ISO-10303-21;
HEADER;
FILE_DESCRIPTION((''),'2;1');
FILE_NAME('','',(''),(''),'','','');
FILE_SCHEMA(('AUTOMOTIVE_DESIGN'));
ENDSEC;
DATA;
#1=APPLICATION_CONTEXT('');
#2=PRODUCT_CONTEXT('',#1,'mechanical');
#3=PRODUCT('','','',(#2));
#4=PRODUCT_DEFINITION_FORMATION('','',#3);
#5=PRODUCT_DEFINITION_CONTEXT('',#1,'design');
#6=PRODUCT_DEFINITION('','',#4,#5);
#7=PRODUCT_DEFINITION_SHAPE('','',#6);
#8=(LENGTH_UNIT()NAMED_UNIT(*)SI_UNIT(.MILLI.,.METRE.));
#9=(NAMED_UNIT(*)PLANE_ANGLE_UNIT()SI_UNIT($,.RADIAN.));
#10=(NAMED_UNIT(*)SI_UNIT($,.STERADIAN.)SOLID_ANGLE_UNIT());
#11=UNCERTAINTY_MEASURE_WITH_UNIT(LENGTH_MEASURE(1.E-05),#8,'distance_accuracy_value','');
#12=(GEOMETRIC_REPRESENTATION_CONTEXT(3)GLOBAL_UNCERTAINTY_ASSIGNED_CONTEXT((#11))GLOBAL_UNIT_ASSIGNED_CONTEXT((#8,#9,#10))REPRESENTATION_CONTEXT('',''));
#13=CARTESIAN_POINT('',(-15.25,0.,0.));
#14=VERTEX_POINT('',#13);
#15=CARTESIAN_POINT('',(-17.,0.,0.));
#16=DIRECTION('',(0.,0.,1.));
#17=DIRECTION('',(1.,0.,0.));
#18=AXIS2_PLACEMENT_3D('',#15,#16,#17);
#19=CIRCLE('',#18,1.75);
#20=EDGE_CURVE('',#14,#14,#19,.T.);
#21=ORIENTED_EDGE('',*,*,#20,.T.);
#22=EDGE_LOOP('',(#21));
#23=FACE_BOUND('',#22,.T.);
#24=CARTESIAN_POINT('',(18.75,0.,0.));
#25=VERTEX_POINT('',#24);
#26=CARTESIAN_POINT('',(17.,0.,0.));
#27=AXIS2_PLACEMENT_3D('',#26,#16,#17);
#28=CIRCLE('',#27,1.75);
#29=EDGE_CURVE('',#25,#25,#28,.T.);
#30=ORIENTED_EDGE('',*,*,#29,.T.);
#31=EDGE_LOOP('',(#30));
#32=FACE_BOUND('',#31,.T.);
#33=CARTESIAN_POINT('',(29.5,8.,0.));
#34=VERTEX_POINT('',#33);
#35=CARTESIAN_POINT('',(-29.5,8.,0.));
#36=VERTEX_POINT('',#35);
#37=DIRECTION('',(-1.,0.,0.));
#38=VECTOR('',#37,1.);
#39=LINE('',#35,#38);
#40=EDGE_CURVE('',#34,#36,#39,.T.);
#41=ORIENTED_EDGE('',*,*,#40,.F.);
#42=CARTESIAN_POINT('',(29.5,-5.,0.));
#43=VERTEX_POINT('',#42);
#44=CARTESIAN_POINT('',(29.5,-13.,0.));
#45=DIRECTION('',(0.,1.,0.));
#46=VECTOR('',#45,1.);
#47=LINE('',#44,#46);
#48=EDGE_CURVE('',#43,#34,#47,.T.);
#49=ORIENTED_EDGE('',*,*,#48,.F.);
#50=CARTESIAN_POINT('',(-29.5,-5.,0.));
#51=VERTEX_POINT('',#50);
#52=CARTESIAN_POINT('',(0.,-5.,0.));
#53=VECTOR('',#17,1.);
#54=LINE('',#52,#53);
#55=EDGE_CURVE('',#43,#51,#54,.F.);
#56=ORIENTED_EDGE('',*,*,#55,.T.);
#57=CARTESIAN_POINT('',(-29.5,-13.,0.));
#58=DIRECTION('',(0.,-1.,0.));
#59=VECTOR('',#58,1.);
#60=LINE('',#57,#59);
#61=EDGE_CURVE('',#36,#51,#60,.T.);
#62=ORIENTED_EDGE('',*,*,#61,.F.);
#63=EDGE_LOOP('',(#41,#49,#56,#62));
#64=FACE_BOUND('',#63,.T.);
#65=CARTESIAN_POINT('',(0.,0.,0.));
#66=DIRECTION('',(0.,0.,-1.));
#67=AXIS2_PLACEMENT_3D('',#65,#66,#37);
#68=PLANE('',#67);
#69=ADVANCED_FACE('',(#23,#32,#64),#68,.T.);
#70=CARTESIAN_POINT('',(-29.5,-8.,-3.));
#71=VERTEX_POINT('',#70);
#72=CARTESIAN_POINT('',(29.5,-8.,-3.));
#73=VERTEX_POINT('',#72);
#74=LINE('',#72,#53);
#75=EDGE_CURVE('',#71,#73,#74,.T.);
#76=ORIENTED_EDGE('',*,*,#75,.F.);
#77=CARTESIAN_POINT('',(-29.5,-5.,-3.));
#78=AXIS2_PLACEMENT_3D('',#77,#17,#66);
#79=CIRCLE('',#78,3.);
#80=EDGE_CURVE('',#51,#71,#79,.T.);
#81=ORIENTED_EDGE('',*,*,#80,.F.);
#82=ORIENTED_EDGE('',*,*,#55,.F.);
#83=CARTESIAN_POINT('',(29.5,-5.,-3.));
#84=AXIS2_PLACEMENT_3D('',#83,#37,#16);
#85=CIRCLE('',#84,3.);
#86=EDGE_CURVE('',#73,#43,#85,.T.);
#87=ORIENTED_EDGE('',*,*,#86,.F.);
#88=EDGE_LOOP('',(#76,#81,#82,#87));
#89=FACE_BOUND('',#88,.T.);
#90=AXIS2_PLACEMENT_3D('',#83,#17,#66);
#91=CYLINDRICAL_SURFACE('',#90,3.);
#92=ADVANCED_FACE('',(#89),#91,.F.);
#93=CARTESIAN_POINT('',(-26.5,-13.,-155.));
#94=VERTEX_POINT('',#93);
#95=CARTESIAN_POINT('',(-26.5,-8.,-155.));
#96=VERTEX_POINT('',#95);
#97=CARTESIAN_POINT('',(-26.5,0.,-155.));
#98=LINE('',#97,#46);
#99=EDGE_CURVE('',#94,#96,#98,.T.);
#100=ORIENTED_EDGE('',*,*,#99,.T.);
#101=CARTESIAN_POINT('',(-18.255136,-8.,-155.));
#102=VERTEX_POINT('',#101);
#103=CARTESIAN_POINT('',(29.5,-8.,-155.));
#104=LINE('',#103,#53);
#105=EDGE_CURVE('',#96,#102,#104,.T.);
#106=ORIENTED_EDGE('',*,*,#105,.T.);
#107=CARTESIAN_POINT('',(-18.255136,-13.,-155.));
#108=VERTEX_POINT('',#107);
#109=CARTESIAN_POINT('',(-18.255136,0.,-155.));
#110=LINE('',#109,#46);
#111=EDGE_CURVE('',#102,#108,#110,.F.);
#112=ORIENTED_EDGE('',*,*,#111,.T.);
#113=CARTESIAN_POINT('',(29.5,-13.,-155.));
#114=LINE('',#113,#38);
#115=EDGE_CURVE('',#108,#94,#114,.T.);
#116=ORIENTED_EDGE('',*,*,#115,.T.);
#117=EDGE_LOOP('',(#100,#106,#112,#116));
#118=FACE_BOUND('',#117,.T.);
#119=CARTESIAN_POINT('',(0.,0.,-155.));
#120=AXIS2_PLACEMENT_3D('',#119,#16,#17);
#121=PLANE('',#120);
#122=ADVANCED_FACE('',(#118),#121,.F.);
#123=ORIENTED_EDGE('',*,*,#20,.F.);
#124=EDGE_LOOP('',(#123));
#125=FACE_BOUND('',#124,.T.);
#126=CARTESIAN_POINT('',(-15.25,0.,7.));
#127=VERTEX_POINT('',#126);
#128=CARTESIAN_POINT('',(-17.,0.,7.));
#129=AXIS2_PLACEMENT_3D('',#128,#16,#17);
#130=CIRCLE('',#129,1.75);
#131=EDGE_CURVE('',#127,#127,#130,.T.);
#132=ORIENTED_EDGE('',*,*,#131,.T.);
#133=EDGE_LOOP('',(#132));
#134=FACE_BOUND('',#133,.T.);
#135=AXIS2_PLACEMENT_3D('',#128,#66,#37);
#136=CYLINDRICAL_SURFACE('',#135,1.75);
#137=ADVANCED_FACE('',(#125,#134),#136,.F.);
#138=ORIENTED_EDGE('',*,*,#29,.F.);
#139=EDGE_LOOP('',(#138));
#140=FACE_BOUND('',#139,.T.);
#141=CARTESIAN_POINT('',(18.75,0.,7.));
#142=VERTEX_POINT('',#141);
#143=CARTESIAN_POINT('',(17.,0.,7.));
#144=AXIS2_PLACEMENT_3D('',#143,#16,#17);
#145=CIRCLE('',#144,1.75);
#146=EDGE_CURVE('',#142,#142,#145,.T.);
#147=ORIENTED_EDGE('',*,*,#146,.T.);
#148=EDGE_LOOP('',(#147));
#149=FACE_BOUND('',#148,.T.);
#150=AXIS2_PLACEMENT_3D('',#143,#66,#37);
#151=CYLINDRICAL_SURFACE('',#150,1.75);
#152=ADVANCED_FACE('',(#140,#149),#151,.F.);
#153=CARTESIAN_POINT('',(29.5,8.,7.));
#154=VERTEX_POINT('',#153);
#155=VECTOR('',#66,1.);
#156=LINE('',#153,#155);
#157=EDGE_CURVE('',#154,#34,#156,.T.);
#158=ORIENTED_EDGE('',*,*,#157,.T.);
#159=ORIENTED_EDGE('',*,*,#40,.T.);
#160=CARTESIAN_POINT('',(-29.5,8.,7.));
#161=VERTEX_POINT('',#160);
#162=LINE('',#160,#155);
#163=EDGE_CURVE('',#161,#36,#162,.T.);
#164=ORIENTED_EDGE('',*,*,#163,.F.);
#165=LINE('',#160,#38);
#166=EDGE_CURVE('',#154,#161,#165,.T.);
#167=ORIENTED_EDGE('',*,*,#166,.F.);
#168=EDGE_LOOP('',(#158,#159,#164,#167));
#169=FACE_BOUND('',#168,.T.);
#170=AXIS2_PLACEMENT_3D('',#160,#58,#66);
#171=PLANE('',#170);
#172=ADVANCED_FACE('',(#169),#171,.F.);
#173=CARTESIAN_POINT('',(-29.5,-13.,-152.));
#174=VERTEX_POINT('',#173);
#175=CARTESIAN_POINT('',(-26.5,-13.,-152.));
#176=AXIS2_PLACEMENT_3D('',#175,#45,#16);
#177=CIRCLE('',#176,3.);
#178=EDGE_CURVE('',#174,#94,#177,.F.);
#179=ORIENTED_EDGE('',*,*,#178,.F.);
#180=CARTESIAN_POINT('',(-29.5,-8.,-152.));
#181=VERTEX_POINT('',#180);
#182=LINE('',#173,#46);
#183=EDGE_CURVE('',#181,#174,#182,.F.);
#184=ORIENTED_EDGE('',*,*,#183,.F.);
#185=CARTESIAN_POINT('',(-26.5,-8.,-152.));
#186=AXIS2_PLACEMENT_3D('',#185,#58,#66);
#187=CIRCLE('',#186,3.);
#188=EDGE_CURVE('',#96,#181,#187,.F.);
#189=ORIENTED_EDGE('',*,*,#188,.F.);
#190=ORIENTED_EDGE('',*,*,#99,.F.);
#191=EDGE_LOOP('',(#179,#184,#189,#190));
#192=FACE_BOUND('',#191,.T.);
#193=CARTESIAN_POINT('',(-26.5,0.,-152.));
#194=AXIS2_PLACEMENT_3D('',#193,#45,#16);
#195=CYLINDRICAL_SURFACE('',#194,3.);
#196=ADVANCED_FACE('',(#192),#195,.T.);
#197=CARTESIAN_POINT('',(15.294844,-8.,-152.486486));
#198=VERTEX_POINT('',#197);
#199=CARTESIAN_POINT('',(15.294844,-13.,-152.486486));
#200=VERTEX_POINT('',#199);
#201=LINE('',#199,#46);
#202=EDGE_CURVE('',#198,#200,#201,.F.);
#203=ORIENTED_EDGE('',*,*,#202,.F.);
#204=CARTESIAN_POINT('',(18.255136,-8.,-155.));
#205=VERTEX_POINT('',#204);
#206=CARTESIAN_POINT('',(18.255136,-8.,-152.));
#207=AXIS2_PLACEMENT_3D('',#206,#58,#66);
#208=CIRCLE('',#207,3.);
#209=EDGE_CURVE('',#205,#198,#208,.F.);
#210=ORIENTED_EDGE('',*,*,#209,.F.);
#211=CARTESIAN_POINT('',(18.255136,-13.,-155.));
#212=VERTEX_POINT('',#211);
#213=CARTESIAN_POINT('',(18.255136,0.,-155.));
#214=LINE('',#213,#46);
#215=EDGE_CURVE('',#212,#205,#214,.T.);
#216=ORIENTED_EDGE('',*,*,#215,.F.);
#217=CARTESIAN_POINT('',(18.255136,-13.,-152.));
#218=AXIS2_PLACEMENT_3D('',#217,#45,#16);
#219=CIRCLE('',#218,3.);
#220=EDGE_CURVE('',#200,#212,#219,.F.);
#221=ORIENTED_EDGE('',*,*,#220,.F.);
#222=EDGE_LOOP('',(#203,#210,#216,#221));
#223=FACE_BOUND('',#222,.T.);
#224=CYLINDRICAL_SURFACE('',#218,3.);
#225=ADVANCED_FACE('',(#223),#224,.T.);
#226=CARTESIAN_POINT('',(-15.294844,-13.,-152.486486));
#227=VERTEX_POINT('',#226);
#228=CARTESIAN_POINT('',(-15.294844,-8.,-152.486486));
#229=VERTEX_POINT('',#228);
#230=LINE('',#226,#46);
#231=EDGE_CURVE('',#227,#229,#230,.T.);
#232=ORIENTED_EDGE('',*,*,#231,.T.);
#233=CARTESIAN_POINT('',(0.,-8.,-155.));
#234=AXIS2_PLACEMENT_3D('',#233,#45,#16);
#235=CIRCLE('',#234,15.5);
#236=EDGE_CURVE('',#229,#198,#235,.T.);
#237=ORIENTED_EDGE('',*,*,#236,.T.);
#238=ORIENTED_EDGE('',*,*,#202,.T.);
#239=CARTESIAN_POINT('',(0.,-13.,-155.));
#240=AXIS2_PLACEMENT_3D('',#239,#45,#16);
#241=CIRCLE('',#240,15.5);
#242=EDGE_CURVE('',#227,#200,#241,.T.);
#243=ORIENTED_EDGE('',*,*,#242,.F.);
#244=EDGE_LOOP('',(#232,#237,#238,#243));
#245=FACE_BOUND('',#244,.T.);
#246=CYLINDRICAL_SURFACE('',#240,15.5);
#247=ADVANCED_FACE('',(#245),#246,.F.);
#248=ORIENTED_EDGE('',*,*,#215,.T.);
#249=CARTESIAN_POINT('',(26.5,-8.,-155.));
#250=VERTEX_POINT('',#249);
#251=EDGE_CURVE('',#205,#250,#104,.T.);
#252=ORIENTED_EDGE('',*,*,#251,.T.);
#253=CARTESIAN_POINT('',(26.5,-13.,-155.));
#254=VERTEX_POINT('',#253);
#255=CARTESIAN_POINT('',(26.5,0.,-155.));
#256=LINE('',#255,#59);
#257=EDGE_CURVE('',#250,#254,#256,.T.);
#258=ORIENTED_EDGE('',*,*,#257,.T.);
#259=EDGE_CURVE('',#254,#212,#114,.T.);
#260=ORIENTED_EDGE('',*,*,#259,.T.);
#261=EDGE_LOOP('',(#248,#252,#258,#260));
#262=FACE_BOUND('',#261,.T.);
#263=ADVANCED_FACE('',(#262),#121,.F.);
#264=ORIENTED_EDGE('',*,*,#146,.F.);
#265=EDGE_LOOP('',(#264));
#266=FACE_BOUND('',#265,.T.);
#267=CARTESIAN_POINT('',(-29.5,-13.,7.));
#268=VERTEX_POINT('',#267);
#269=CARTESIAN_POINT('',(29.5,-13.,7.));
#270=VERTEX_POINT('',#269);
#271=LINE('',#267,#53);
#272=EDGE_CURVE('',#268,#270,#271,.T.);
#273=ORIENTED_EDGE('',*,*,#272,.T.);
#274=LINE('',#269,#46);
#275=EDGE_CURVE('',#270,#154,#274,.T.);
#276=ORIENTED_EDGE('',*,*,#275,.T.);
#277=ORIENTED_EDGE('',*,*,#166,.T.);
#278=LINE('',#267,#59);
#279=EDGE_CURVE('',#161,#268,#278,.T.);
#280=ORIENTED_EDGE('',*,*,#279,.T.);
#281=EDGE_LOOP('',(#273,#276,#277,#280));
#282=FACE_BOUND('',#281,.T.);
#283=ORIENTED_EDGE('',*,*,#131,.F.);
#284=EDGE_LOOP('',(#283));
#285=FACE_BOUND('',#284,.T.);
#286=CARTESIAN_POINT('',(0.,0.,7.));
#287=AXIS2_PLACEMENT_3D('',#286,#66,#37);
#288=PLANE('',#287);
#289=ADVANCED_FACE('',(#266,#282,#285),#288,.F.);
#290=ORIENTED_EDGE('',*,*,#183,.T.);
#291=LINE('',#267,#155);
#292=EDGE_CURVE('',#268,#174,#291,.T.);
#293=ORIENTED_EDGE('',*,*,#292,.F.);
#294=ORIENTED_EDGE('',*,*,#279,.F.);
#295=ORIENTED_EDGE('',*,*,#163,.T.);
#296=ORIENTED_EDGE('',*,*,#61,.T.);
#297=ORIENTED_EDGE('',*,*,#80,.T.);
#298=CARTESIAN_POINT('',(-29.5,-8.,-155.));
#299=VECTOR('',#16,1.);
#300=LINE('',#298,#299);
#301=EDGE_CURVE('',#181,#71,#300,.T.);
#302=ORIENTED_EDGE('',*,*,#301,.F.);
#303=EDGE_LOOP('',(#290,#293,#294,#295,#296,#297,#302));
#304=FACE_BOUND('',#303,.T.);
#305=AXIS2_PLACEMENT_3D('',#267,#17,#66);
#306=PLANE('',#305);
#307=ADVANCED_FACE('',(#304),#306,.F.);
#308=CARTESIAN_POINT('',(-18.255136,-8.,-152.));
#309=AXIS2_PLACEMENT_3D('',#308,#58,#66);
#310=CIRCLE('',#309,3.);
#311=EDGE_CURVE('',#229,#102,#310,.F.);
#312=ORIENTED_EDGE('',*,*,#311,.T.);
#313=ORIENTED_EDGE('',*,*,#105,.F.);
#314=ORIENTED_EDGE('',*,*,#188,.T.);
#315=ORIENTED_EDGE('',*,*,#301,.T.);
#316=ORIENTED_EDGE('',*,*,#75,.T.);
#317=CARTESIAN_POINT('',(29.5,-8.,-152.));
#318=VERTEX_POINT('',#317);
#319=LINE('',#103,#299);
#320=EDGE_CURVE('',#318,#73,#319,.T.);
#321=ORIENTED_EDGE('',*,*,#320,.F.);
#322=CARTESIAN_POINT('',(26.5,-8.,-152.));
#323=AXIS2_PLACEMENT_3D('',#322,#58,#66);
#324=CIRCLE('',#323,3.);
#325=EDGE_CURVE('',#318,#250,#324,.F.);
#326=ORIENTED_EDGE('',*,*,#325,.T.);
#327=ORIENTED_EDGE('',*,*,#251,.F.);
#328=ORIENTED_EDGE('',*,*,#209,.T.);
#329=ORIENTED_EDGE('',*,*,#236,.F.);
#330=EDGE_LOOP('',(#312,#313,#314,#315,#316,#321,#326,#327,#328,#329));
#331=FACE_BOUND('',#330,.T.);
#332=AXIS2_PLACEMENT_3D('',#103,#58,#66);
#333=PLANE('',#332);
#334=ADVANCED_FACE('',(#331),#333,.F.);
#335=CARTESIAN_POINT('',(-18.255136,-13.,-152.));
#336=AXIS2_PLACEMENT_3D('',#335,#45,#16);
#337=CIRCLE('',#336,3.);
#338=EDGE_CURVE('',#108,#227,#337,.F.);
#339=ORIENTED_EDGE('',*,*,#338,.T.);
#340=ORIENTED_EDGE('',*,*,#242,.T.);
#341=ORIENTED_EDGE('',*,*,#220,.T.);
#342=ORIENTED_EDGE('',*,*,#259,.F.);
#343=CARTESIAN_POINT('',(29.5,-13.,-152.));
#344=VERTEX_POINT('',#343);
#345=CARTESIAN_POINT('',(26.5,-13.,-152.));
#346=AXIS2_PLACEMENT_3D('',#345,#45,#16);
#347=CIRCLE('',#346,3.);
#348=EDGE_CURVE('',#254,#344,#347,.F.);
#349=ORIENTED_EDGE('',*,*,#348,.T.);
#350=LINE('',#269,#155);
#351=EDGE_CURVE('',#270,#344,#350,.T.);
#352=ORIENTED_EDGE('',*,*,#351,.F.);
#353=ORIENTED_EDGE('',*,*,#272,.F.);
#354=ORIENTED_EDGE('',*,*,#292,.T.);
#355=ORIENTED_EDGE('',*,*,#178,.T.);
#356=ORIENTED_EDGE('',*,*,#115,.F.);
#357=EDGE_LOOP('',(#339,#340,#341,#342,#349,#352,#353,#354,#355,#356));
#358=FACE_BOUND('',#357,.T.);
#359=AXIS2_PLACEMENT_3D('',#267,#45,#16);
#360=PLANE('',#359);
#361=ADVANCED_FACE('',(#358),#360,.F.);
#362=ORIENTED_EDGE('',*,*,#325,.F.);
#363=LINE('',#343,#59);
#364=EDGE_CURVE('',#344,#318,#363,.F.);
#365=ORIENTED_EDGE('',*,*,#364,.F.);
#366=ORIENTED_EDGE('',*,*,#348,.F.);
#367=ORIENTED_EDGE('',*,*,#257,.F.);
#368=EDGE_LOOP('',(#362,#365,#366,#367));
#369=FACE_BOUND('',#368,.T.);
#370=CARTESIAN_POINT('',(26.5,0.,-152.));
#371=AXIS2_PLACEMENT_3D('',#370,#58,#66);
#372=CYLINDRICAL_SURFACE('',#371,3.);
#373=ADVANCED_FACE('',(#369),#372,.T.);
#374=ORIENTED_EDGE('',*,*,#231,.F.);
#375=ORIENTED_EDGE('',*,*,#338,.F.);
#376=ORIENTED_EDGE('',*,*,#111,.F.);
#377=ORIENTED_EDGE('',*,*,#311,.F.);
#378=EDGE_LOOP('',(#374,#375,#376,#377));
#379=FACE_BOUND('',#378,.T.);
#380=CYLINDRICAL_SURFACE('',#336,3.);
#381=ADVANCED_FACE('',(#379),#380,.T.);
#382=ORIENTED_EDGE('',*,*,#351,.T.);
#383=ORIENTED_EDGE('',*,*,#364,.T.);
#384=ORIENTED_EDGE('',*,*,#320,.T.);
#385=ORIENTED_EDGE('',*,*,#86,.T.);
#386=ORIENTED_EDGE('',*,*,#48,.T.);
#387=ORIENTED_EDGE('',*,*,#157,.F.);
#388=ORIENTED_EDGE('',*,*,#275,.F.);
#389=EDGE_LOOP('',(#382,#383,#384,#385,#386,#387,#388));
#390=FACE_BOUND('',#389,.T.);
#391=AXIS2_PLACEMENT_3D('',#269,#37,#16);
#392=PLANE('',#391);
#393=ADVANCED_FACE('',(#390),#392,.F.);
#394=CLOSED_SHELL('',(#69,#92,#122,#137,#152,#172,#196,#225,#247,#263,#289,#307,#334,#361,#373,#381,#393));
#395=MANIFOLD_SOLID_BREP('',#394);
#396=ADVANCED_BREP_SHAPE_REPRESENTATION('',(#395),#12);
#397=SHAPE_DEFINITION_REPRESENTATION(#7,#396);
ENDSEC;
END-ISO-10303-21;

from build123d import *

# Parameters (mm, degrees)
SKETCH1_W           = 59
SKETCH1_H           = 21
SKETCH1_R           = 1.75
BOSS_EXTRUDE1_DEPTH = 7
SKETCH2_W           = 59
SKETCH2_H           = 5
BOSS_EXTRUDE2_DEPTH = 155
CUT_EXTRUDE1_DEPTH  = 159.591456264
FILLET1_R           = 3
FILLET2_R           = 3


with BuildPart() as part:
    # Sketch1 → Boss-Extrude1 (new body)
    with BuildSketch(Plane.XY):
        with Locations((0, -2.5)):
            Rectangle(SKETCH1_W, SKETCH1_H)
        with Locations((-17, 0)):
            Circle(SKETCH1_R, mode=Mode.SUBTRACT)
        with Locations((17, 0)):
            Circle(SKETCH1_R, mode=Mode.SUBTRACT)
    extrude(amount=BOSS_EXTRUDE1_DEPTH)

    # Sketch2 → Boss-Extrude2 (add)
    with BuildSketch(Plane(origin=(0, 0, 0), x_dir=(-1, 0, 0), z_dir=(0, 0, -1))):
        with Locations((0, -10.5)):
            Rectangle(SKETCH2_W, SKETCH2_H)
    extrude(amount=BOSS_EXTRUDE2_DEPTH)

    # Sketch4 → Cut-Extrude1 (cut, through all)
    with BuildSketch(Plane(origin=(0, -8, 0), x_dir=(1, 0, 0), z_dir=(0, 1, 0))):
        with BuildLine():
            Line((-15.5, 155), (15.5, 155))
            ThreePointArc((15.5, 155), (0, 139.5), (-15.5, 155))
        make_face()
    extrude(amount=-CUT_EXTRUDE1_DEPTH, mode=Mode.SUBTRACT)

    # Fillet1
    fillet1_edges = [part.edges().sort_by_distance(p)[0] for p in [
        (0, -8, 0),
    ]]
    fillet(fillet1_edges, radius=FILLET1_R)

    # Fillet2
    fillet2_edges = [part.edges().sort_by_distance(p)[0] for p in [
        (29.5, -10.5, -155),
        (-29.5, -10.5, -155),
        (15.5, -10.5, -155),
        (-15.5, -10.5, -155),
    ]]
    fillet(fillet2_edges, radius=FILLET2_R)


solid = part.part
